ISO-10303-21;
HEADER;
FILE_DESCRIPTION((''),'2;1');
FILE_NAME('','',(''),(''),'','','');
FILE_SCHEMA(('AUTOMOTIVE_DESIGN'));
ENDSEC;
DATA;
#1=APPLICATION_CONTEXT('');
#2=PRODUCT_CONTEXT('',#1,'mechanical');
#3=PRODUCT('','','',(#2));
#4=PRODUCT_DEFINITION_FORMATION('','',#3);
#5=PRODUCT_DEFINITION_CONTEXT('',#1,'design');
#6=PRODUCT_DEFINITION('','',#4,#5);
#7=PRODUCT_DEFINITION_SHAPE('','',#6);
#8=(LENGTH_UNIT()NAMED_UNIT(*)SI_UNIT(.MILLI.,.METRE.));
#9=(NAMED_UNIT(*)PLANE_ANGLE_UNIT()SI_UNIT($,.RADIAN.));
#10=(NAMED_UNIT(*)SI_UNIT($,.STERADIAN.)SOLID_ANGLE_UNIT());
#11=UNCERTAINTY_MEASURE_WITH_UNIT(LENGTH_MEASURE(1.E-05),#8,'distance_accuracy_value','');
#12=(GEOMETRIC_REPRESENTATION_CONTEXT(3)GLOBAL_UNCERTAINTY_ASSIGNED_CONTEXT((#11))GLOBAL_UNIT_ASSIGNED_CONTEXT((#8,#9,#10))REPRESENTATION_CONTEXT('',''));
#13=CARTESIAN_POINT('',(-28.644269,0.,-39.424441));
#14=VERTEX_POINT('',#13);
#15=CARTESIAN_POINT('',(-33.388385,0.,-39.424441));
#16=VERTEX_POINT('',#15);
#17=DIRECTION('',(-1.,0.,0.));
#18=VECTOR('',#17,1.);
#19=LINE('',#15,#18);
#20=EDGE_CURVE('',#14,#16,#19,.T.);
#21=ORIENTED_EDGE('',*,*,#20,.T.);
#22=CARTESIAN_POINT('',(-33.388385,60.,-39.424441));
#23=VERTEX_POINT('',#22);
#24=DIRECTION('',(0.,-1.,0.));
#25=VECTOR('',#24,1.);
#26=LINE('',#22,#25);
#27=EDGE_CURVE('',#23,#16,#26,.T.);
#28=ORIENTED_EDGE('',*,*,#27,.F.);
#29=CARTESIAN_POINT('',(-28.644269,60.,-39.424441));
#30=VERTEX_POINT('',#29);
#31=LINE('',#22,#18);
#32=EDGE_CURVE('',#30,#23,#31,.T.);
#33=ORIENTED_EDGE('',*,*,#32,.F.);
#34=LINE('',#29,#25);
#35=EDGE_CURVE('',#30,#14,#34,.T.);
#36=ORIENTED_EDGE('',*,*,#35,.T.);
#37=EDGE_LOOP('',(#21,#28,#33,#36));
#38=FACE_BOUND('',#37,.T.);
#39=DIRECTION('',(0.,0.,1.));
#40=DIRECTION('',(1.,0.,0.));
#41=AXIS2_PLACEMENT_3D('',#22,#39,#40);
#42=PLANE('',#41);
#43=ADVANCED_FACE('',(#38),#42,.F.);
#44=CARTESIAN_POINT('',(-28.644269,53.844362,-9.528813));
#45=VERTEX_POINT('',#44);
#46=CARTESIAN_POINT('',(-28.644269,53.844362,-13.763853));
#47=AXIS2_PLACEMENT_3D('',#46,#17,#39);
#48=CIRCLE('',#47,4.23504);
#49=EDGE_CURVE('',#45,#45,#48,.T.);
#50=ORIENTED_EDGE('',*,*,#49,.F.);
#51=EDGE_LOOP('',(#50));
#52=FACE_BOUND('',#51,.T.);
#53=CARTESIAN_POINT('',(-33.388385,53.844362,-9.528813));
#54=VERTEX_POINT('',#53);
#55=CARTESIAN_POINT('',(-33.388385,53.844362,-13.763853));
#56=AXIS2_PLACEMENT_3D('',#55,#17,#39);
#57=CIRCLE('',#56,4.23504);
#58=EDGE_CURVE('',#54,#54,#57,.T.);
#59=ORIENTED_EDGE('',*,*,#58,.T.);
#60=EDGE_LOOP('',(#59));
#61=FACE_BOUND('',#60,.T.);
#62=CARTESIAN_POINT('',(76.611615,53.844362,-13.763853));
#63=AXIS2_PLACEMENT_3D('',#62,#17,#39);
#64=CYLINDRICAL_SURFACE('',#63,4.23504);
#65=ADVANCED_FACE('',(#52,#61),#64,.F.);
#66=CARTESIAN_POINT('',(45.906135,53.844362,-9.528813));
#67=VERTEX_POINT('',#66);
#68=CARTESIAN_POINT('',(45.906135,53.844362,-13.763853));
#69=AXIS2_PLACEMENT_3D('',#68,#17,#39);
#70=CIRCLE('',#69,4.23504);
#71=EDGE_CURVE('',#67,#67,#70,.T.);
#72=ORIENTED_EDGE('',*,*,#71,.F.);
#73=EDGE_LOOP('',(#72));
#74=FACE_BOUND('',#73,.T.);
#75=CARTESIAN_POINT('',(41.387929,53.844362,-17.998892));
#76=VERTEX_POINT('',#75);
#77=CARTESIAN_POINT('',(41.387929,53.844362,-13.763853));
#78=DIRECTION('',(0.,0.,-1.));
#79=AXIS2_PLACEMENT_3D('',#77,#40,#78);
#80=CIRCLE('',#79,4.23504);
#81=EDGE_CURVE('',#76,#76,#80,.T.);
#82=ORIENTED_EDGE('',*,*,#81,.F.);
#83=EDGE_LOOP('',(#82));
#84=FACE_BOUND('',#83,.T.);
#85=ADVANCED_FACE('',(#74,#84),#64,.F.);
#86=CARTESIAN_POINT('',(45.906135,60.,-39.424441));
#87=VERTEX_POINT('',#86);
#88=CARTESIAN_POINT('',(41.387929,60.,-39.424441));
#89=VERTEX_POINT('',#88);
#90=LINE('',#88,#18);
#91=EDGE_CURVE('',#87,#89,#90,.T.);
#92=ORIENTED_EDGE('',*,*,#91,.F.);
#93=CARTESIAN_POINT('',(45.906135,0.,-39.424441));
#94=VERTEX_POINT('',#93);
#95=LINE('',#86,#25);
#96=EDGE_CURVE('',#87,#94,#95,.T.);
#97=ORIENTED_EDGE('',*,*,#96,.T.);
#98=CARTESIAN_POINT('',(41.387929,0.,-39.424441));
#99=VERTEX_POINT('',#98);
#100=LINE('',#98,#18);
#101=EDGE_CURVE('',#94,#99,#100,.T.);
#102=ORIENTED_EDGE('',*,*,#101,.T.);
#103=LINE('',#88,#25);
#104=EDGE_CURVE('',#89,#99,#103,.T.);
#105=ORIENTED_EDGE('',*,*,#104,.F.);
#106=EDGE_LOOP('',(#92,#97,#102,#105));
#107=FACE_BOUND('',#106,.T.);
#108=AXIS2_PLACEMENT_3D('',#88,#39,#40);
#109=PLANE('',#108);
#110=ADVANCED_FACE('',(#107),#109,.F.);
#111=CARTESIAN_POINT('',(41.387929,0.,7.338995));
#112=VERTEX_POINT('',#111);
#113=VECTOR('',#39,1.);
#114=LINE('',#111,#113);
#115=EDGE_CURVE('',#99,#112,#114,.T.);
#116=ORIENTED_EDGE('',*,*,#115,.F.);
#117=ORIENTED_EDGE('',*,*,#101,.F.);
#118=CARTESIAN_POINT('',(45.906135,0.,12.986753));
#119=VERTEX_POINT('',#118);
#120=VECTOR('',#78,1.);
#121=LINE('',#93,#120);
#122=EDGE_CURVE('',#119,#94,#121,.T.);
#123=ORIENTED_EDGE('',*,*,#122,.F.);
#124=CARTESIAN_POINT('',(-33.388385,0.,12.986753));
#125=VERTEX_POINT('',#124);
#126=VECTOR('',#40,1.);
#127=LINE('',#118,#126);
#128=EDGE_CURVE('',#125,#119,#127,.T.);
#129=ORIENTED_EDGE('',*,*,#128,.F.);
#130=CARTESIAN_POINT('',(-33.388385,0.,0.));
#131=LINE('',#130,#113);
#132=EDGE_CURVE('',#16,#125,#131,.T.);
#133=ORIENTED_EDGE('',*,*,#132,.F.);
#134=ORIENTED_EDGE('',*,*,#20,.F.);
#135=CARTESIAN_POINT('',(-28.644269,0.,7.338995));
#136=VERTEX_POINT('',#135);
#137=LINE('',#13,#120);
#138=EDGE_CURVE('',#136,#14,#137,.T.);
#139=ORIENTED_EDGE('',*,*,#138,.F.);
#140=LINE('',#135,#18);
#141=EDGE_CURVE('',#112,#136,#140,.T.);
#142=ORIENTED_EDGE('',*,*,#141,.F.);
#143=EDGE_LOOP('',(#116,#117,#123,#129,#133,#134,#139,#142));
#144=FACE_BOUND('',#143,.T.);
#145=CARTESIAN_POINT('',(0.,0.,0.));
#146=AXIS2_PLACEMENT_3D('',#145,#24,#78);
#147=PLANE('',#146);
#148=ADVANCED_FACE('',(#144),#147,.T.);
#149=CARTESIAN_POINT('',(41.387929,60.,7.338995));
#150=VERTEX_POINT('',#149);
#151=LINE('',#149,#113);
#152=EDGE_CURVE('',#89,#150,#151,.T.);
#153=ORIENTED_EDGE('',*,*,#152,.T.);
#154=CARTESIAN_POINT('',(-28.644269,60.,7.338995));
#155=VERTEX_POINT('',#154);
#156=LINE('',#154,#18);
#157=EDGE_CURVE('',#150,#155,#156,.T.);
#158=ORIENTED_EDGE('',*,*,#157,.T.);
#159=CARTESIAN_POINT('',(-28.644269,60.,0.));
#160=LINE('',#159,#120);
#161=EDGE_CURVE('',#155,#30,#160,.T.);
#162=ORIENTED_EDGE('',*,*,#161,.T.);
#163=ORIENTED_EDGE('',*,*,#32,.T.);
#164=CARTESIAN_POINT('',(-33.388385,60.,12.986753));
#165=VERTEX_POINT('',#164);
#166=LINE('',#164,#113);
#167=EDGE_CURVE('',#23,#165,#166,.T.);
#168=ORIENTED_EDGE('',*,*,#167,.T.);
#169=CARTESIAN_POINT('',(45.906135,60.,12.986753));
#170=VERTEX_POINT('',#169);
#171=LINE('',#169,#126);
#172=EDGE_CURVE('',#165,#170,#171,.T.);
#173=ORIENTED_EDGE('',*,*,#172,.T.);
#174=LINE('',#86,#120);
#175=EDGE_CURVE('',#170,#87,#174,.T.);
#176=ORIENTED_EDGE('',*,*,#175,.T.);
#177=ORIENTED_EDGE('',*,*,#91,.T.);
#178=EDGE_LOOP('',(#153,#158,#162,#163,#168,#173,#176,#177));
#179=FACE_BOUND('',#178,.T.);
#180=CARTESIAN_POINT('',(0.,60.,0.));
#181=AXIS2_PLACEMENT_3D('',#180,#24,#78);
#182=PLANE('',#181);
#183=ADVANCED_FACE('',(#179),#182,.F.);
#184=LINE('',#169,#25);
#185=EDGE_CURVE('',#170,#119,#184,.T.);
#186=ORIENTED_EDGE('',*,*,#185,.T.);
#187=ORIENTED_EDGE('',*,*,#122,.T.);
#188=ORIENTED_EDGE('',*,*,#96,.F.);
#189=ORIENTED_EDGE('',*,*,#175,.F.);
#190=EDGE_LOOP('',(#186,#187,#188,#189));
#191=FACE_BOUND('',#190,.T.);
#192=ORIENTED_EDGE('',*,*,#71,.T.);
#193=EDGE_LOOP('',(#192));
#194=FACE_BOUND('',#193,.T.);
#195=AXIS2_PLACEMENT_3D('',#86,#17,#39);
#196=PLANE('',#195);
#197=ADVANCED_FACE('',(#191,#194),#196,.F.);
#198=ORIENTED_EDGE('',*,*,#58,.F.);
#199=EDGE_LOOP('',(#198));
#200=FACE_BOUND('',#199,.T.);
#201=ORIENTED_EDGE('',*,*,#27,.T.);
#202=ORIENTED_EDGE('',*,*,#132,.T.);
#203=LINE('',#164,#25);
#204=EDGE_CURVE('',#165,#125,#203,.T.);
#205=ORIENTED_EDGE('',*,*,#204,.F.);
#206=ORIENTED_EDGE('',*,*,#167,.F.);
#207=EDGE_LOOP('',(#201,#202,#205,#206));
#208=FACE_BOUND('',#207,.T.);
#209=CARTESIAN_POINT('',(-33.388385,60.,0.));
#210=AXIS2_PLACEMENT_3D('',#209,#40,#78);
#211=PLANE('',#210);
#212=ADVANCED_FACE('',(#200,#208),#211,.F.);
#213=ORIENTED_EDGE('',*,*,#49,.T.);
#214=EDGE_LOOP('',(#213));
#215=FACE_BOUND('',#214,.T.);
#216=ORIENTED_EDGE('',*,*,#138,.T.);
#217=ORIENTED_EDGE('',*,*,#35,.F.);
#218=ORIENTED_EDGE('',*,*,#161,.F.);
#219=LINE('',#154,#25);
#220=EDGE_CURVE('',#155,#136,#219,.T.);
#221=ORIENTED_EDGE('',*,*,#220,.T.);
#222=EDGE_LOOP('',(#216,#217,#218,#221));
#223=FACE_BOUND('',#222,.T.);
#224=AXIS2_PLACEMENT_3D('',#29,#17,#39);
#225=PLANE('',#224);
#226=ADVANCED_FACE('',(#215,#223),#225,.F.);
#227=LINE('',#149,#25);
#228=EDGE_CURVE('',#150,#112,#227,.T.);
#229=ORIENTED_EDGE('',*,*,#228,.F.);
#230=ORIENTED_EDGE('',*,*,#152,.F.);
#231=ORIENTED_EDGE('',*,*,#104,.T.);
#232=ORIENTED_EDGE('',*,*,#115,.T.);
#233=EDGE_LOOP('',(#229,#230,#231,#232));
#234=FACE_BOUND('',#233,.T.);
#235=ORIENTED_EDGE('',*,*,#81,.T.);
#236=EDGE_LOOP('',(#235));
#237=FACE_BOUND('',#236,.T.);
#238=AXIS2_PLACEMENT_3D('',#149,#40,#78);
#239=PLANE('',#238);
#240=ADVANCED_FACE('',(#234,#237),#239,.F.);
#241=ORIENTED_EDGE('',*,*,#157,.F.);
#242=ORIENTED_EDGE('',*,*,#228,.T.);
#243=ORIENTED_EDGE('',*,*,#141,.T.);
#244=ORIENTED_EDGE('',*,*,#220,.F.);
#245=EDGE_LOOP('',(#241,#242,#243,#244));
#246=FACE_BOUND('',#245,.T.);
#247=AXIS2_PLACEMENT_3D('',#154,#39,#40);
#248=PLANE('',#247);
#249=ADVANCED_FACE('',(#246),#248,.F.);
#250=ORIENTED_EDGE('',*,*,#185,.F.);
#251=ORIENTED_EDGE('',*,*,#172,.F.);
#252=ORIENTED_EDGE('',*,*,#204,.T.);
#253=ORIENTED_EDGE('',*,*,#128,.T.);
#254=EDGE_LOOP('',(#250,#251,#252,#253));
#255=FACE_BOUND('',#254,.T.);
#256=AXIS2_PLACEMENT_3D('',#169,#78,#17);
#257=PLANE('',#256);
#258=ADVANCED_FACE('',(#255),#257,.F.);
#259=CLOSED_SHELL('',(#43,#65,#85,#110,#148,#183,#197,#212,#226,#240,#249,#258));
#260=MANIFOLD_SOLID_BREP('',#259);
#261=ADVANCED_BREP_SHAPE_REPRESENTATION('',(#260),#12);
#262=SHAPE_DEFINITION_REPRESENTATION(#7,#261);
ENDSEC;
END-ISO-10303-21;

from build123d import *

# Parameters (mm, degrees)
SALIENTE_EXTRUIR2_DEPTH = 60
CROQUIS4_R              = 4.23503961
CORTAR_EXTRUIR1_DEPTH   = 110


with BuildPart() as part:
    # Croquis3 → Saliente-Extruir2 (new body)
    with BuildSketch(Plane(origin=(0, 0, 0), x_dir=(1, 0, 0), z_dir=(0, 1, 0))):
        Polygon((-33.38838539, 0), (-33.38838539, 39.424440528), (-28.644268776, 39.424440528), (-28.644268776, 0), (-28.644268776, -7.338994669), (41.387928863, -7.338994669), (41.387928863, 39.424440528), (45.906135162, 39.424440528), (45.906135162, -12.986752543), (-33.38838539, -12.986752543), align=None)
    extrude(amount=SALIENTE_EXTRUIR2_DEPTH)

    # Croquis4 → Cortar-Extruir1 (cut)
    with BuildSketch(Plane.ZY.offset(33.38838539)):
        with Locations((-13.763852604, 53.844361948)):
            Circle(CROQUIS4_R)
    extrude(amount=-CORTAR_EXTRUIR1_DEPTH, mode=Mode.SUBTRACT)


solid = part.part
